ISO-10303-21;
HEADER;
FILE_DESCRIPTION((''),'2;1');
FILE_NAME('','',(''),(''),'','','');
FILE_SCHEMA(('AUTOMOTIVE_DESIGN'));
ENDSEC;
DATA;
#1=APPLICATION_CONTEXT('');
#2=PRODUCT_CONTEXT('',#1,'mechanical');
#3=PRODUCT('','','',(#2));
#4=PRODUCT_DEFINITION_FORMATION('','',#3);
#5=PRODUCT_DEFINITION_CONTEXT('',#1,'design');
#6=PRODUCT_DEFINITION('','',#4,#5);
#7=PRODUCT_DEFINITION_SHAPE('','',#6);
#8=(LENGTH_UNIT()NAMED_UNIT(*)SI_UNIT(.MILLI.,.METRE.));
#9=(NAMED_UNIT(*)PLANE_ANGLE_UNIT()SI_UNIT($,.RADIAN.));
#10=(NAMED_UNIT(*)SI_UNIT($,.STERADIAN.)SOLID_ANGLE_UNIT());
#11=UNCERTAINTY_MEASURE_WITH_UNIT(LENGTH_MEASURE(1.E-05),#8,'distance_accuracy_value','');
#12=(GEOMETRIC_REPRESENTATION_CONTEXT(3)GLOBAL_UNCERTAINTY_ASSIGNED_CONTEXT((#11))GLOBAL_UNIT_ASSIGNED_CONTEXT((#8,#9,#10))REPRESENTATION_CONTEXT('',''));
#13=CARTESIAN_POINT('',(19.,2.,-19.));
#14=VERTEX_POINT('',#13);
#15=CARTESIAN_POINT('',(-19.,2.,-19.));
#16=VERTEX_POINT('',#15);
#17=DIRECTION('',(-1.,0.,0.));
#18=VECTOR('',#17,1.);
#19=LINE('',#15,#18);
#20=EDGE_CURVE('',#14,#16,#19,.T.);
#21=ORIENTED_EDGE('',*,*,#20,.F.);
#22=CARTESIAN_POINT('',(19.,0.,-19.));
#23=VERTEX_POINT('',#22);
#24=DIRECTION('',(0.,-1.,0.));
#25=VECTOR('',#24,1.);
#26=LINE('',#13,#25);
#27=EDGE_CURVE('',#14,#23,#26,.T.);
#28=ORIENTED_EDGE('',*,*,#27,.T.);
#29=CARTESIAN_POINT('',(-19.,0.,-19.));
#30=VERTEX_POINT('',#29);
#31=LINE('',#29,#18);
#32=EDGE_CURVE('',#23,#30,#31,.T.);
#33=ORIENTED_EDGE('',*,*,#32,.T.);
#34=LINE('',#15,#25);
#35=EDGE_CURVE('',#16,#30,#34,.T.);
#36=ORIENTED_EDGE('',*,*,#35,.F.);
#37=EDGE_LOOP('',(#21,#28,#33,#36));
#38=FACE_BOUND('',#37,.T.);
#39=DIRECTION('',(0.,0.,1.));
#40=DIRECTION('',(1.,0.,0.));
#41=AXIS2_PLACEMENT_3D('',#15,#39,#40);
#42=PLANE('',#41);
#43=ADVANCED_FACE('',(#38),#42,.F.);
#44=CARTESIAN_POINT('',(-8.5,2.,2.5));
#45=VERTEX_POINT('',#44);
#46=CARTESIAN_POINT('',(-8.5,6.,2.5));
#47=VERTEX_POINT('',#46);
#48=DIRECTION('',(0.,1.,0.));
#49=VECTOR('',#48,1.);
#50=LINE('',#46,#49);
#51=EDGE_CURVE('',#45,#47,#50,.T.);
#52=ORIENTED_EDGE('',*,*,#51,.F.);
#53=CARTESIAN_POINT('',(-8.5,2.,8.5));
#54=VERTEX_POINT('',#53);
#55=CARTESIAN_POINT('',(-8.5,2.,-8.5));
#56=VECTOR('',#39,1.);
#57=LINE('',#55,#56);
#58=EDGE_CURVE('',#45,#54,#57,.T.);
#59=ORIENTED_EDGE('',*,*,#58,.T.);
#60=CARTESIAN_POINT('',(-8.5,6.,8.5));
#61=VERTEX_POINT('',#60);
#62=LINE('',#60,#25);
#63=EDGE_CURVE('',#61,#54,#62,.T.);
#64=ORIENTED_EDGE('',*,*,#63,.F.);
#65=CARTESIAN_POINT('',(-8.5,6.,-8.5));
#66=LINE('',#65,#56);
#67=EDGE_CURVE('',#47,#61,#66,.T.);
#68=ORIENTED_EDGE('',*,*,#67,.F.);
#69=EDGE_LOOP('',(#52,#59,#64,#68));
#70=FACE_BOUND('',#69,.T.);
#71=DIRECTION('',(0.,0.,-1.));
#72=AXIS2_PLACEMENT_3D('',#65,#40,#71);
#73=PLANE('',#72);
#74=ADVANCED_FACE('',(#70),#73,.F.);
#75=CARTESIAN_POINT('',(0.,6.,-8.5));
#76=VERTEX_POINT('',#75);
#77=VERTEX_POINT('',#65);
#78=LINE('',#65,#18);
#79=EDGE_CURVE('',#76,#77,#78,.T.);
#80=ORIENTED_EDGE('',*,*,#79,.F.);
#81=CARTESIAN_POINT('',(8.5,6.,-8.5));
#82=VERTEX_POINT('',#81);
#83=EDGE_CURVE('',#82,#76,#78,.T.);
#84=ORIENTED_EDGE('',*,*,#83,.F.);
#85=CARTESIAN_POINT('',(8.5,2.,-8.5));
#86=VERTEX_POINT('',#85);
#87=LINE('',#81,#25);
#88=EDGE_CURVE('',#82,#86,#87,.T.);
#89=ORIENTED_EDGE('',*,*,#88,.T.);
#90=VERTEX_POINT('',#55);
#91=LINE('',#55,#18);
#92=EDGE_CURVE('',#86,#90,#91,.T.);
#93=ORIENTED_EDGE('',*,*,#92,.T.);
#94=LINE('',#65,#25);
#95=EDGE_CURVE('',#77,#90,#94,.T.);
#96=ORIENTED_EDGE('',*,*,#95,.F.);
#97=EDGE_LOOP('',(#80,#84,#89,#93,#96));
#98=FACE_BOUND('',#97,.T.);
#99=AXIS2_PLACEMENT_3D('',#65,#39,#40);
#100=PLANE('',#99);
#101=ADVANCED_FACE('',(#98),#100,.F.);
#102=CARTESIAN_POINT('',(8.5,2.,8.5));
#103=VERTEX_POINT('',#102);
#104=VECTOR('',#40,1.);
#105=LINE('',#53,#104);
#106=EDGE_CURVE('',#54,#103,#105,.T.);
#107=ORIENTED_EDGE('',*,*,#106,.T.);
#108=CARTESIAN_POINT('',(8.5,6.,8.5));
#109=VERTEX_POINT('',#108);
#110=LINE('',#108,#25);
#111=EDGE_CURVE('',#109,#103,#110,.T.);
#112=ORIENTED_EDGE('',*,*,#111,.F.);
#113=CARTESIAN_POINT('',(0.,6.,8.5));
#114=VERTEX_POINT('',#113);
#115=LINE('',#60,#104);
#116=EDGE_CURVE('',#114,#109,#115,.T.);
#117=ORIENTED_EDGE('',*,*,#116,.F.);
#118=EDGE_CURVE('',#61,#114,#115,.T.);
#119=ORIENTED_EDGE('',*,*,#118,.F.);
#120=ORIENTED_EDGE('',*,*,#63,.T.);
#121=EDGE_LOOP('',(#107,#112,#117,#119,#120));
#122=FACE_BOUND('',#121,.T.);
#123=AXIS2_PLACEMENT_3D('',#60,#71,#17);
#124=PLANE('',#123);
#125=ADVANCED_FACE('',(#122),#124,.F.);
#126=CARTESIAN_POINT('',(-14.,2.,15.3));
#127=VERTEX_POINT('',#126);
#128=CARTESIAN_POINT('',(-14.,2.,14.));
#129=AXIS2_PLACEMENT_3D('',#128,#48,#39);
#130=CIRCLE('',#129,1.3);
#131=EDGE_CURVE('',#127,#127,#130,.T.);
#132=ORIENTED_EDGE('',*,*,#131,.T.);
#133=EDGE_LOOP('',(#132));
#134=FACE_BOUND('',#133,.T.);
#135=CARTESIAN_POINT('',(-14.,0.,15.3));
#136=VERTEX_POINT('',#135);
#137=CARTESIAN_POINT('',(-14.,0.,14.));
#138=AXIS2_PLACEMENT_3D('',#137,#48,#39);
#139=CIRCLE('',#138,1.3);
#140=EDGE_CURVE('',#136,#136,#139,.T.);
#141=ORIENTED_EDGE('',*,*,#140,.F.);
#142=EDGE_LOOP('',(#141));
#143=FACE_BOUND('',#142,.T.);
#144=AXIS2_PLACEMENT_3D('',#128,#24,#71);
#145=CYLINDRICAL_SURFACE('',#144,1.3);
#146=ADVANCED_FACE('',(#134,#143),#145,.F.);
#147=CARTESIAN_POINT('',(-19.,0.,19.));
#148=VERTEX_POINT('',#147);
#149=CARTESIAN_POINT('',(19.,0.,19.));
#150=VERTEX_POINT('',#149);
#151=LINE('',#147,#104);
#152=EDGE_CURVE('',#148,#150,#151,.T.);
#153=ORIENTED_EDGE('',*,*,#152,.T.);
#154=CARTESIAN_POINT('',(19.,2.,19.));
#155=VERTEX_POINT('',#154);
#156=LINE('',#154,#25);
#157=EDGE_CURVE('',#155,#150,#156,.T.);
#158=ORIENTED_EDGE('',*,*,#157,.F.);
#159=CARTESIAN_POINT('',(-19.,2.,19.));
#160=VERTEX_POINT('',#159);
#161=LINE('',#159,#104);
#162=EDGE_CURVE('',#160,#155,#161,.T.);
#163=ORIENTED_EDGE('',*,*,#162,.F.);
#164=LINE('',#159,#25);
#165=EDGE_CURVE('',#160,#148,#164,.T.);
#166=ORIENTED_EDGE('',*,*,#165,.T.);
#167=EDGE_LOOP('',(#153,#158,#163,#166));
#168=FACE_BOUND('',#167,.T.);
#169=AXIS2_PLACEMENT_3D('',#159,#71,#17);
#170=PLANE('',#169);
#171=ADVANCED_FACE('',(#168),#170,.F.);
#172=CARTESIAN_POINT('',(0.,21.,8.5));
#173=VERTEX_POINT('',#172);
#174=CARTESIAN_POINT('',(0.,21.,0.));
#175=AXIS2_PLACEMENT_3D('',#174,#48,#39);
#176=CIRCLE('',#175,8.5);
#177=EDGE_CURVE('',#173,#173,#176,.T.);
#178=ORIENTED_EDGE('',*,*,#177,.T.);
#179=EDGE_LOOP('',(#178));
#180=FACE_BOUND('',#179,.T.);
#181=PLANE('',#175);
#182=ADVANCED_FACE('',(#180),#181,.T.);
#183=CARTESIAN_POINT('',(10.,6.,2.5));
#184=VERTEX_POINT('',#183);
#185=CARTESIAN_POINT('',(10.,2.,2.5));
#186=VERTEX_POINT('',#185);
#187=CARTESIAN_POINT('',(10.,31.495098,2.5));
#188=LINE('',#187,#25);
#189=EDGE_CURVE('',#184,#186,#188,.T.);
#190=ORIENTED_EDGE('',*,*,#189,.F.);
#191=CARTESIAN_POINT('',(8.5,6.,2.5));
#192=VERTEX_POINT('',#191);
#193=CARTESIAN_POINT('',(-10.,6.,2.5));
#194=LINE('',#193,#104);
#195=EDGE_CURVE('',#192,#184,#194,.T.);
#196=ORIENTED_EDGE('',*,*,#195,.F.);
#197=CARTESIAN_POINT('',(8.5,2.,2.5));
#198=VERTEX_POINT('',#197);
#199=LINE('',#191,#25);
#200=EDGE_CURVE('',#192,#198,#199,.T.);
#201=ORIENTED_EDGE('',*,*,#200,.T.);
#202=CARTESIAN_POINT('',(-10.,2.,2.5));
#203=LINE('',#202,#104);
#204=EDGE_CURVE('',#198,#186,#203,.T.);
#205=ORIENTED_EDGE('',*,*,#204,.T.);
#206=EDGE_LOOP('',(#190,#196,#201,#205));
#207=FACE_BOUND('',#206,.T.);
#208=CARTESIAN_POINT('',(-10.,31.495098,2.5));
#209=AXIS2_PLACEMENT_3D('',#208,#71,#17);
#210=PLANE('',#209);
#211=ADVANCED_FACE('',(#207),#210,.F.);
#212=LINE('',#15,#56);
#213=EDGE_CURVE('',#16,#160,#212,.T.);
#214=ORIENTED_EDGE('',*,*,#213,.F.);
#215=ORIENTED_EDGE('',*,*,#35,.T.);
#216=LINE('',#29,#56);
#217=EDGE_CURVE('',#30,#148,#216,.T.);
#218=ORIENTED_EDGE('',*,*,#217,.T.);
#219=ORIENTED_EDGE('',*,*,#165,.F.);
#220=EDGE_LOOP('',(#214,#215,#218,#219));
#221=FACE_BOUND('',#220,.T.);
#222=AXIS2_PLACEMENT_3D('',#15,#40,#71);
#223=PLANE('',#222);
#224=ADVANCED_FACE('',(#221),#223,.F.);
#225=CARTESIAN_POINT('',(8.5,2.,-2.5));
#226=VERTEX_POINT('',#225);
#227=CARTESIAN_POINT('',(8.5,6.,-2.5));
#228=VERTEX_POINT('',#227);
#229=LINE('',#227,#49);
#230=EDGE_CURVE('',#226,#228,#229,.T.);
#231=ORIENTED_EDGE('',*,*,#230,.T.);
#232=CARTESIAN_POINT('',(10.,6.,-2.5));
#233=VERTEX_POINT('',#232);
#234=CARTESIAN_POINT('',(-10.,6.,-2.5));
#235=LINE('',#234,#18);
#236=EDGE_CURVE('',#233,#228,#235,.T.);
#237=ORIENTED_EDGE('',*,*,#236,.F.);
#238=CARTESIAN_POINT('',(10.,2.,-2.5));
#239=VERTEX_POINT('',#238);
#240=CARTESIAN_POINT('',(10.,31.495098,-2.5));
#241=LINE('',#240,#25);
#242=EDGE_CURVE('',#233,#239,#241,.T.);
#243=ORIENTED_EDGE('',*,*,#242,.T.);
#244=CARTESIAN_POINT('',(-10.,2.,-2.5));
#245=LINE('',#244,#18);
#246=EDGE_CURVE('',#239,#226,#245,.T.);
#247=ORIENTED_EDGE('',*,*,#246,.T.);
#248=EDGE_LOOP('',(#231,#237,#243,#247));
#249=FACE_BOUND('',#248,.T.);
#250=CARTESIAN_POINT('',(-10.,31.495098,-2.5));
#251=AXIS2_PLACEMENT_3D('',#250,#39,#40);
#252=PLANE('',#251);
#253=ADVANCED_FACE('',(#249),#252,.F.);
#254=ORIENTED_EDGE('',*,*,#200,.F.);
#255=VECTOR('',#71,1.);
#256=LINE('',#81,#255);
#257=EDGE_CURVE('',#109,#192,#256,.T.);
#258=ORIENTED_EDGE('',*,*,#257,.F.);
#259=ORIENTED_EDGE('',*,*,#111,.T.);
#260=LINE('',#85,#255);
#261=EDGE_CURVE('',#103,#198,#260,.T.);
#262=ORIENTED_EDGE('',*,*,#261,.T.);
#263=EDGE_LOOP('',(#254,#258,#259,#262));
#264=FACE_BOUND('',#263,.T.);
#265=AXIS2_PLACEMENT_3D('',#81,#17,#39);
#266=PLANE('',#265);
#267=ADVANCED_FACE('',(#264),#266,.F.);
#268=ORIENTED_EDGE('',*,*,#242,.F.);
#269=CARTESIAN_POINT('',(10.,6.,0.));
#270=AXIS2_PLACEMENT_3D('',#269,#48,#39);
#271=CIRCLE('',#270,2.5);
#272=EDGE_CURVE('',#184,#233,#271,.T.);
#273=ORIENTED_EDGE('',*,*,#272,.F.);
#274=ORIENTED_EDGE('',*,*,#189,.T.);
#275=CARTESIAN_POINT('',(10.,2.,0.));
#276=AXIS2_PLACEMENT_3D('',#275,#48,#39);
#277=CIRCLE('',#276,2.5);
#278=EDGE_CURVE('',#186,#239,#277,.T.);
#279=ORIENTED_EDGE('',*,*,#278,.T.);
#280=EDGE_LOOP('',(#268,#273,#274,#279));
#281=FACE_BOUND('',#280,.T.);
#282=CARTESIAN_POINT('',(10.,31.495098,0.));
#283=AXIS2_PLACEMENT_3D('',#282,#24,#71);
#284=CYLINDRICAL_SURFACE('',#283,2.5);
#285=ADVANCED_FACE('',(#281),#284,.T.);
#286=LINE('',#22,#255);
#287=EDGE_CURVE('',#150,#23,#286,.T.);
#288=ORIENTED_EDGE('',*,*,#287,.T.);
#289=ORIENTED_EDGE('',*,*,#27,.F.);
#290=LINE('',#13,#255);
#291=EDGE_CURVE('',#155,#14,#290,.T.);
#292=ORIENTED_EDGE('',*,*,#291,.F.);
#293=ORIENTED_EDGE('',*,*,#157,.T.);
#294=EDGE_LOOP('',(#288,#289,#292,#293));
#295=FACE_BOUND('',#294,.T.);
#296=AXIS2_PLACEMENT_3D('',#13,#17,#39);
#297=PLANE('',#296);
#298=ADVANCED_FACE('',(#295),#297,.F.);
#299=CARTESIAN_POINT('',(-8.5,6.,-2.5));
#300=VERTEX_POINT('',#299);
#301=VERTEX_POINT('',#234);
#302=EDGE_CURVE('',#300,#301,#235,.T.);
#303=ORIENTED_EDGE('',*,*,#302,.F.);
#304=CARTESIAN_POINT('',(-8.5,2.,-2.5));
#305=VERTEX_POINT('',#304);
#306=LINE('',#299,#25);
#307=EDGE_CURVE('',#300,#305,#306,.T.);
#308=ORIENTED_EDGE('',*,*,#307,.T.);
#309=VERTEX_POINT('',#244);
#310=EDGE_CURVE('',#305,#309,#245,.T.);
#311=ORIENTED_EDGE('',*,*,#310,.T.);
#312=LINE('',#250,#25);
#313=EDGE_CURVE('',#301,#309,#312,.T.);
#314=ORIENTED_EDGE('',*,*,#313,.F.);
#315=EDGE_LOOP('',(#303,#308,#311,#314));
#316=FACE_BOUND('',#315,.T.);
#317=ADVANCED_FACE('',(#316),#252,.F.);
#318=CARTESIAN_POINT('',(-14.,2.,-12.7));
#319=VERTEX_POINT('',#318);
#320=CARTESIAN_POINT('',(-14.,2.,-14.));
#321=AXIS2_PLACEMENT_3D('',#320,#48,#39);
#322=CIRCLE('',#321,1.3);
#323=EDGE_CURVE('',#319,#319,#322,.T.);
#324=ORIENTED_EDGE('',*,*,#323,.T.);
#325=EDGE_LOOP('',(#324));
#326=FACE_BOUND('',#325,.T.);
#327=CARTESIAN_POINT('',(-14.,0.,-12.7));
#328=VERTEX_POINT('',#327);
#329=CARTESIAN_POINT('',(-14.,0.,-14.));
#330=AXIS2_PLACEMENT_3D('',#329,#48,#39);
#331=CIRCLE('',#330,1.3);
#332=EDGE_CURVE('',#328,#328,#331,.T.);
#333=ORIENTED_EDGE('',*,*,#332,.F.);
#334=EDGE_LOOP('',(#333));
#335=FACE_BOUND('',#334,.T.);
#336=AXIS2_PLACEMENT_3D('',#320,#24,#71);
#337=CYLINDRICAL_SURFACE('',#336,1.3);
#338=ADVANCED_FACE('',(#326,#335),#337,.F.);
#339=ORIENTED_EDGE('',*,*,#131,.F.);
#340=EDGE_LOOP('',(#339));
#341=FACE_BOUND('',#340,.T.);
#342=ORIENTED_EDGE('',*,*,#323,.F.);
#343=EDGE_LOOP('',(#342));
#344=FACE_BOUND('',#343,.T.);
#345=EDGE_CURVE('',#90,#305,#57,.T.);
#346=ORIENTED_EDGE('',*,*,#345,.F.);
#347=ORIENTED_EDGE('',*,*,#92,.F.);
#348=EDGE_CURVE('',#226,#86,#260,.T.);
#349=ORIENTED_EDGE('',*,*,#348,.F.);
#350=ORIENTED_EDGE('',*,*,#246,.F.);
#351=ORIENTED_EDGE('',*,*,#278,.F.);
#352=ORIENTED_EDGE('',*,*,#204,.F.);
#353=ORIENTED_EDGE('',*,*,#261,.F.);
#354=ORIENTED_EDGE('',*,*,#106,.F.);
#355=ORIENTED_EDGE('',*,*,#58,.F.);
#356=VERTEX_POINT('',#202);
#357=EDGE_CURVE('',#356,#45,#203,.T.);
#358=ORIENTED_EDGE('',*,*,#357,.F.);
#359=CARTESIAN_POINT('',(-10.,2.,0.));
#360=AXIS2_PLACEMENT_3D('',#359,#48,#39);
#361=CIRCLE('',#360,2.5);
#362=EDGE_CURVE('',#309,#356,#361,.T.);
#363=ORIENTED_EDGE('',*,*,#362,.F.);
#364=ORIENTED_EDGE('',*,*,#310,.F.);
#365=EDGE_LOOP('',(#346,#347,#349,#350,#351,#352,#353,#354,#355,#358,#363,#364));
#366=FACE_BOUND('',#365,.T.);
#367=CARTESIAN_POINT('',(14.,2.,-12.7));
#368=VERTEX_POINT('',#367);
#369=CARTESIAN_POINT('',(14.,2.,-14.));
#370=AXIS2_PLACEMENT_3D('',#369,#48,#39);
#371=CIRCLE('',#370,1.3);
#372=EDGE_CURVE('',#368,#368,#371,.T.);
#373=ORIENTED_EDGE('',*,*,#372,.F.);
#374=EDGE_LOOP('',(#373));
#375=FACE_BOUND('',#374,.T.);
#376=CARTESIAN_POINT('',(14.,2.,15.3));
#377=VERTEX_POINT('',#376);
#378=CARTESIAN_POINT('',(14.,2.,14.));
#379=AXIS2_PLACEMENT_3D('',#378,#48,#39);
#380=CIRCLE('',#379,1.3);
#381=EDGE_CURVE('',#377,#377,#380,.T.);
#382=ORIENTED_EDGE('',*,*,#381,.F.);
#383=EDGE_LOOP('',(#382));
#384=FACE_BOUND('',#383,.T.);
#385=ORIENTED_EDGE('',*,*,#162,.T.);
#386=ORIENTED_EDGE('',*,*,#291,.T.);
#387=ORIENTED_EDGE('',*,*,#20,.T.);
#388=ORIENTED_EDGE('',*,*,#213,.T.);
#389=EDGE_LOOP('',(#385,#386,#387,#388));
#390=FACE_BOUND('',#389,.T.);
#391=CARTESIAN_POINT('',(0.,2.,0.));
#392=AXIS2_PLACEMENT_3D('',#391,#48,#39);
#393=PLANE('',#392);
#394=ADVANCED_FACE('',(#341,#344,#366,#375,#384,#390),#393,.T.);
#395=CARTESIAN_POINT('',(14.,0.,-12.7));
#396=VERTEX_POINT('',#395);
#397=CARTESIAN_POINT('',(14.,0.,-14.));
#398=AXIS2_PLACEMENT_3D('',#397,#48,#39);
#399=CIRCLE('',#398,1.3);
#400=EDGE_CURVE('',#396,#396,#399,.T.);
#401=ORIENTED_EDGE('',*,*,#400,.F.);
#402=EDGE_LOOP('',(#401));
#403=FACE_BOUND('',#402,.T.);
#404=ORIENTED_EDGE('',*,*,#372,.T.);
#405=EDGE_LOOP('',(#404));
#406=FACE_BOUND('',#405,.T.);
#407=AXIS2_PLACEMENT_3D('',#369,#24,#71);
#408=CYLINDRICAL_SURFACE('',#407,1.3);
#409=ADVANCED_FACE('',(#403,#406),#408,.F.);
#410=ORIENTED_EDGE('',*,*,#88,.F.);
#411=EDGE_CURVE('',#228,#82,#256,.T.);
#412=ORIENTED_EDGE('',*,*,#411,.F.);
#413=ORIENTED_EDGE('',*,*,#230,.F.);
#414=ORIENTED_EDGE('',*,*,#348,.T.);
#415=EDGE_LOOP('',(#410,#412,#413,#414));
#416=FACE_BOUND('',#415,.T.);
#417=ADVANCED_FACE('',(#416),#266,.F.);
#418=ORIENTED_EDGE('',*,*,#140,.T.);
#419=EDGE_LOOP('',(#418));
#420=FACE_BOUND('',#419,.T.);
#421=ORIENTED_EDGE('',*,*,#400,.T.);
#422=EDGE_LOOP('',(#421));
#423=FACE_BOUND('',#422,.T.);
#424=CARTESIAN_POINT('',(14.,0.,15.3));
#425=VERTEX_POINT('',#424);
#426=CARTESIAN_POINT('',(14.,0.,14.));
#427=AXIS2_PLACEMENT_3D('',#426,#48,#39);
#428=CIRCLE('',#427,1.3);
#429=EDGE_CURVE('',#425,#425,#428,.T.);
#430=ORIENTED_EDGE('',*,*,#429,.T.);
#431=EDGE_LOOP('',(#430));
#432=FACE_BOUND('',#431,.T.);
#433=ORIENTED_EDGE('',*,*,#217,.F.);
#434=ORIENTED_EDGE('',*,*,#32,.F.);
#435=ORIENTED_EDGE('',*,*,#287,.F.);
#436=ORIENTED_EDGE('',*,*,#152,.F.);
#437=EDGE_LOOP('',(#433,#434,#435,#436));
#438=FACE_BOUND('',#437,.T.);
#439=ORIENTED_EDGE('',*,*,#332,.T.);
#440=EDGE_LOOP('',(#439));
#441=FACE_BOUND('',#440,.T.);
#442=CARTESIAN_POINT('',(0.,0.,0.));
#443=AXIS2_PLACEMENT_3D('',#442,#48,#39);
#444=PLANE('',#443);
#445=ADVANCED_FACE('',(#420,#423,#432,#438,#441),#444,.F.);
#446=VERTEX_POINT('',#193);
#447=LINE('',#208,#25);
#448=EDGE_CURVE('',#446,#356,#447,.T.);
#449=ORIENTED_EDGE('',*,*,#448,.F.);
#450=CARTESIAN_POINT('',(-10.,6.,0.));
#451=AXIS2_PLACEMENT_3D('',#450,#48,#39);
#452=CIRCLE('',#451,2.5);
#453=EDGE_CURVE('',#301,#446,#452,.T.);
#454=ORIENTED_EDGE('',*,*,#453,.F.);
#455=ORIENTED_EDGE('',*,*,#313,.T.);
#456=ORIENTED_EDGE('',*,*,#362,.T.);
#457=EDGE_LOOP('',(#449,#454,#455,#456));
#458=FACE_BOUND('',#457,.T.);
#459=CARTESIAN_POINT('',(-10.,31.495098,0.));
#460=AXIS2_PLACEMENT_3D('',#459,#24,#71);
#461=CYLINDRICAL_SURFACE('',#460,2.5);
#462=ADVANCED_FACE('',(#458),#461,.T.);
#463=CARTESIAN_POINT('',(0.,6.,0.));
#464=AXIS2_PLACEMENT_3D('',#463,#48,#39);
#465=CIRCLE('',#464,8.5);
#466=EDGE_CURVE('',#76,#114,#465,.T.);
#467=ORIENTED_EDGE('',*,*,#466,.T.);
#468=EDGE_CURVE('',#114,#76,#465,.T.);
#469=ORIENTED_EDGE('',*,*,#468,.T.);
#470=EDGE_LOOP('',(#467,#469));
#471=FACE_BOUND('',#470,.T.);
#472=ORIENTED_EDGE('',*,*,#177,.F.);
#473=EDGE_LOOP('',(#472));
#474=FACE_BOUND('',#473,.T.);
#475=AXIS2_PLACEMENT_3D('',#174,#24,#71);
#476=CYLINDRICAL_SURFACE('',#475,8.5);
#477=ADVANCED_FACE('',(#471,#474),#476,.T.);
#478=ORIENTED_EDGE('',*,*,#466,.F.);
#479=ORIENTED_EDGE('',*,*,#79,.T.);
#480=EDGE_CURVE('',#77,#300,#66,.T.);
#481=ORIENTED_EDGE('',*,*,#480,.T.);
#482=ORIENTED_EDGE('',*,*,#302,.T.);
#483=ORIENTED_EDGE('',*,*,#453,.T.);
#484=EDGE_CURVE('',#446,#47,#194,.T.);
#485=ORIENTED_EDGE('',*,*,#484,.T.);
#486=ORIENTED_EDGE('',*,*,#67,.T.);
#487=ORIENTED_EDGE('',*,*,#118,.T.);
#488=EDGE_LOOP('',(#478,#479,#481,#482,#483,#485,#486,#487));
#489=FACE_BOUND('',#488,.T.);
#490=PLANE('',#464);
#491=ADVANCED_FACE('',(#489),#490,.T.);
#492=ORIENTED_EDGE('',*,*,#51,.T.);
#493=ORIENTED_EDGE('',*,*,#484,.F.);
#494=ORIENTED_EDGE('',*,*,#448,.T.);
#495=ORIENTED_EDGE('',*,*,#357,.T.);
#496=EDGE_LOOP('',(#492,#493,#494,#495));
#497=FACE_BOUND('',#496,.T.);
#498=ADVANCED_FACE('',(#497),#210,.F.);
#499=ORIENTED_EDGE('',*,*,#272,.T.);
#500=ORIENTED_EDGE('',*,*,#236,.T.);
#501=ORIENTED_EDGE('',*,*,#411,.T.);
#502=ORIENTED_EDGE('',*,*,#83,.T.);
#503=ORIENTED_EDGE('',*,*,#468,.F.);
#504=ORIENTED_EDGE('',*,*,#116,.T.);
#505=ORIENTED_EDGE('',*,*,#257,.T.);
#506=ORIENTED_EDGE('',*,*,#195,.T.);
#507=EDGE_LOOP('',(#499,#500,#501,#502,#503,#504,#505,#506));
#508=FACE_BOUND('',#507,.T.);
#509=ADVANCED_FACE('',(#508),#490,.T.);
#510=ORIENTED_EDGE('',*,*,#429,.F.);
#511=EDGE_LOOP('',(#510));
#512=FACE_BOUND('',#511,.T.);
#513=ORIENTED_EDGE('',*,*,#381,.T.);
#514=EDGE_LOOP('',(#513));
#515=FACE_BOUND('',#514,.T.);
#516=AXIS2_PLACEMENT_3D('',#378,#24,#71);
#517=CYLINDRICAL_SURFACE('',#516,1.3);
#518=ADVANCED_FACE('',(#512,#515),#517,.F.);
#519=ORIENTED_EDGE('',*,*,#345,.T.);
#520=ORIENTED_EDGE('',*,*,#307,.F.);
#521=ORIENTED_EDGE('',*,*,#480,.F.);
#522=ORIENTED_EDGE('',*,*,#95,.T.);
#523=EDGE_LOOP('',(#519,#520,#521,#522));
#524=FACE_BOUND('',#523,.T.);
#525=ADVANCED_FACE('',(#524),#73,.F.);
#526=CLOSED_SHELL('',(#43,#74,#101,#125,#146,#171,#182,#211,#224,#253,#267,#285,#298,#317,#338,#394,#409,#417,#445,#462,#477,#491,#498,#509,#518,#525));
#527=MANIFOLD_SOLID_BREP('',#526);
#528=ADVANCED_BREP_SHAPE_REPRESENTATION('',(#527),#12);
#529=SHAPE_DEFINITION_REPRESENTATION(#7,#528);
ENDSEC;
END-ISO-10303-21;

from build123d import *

# Parameters (mm, degrees)
SKETCH_1_W      = 38
SKETCH_1_H      = 38
SKETCH_1_R      = 1.3
EXTRUDE_1_DEPTH = 2
SKETCH_2_W      = 17
SKETCH_2_H      = 17
EXTRUDE_2_DEPTH = 4
SKETCH_3_R      = 8.5
EXTRUDE_3_DEPTH = 15
EXTRUDE_4_DEPTH = 4


with BuildPart() as part:
    # 草图1 → 凸台-拉伸1 (new body)
    with BuildSketch(Plane(origin=(0, 0, 0), x_dir=(1, 0, 0), z_dir=(0, 1, 0))):
        Rectangle(SKETCH_1_W, SKETCH_1_H)
        with Locations(Location((-14, -14, 0), (0, 0, 270))):
            Circle(SKETCH_1_R, mode=Mode.SUBTRACT)
        with Locations(Location((-14, 14, 0), (0, 0, 270))):
            Circle(SKETCH_1_R, mode=Mode.SUBTRACT)
        with Locations(Location((14, 14, 0), (0, 0, 270))):
            Circle(SKETCH_1_R, mode=Mode.SUBTRACT)
        with Locations(Location((14, -14, 0), (0, 0, 270))):
            Circle(SKETCH_1_R, mode=Mode.SUBTRACT)
    extrude(amount=EXTRUDE_1_DEPTH)

    # 草图2 → 凸台-拉伸2 (add)
    with BuildSketch(Plane(origin=(0, 2, 0), x_dir=(1, 0, 0), z_dir=(0, 1, 0))):
        Rectangle(SKETCH_2_W, SKETCH_2_H)
    extrude(amount=EXTRUDE_2_DEPTH)

    # 草图3 → 凸台-拉伸3 (add)
    with BuildSketch(Plane(origin=(0, 6, 0), x_dir=(1, 0, 0), z_dir=(0, 1, 0))):
        with Locations(Location((0, 0, 0), (0, 0, 270))):
            Circle(SKETCH_3_R)
    extrude(amount=EXTRUDE_3_DEPTH)

    # 草图4 → 凸台-拉伸4 (add)
    with BuildSketch(Plane(origin=(0, 2, 0), x_dir=(1, 0, 0), z_dir=(0, 1, 0))):
        with BuildLine():
            Line((-10, 2.5), (10, 2.5))
            ThreePointArc((10, 2.5), (12.5, 0), (10, -2.5))
            Line((10, -2.5), (-10, -2.5))
            ThreePointArc((-10, -2.5), (-12.5, 0), (-10, 2.5))
        make_face()
    extrude(amount=EXTRUDE_4_DEPTH)


solid = part.part
